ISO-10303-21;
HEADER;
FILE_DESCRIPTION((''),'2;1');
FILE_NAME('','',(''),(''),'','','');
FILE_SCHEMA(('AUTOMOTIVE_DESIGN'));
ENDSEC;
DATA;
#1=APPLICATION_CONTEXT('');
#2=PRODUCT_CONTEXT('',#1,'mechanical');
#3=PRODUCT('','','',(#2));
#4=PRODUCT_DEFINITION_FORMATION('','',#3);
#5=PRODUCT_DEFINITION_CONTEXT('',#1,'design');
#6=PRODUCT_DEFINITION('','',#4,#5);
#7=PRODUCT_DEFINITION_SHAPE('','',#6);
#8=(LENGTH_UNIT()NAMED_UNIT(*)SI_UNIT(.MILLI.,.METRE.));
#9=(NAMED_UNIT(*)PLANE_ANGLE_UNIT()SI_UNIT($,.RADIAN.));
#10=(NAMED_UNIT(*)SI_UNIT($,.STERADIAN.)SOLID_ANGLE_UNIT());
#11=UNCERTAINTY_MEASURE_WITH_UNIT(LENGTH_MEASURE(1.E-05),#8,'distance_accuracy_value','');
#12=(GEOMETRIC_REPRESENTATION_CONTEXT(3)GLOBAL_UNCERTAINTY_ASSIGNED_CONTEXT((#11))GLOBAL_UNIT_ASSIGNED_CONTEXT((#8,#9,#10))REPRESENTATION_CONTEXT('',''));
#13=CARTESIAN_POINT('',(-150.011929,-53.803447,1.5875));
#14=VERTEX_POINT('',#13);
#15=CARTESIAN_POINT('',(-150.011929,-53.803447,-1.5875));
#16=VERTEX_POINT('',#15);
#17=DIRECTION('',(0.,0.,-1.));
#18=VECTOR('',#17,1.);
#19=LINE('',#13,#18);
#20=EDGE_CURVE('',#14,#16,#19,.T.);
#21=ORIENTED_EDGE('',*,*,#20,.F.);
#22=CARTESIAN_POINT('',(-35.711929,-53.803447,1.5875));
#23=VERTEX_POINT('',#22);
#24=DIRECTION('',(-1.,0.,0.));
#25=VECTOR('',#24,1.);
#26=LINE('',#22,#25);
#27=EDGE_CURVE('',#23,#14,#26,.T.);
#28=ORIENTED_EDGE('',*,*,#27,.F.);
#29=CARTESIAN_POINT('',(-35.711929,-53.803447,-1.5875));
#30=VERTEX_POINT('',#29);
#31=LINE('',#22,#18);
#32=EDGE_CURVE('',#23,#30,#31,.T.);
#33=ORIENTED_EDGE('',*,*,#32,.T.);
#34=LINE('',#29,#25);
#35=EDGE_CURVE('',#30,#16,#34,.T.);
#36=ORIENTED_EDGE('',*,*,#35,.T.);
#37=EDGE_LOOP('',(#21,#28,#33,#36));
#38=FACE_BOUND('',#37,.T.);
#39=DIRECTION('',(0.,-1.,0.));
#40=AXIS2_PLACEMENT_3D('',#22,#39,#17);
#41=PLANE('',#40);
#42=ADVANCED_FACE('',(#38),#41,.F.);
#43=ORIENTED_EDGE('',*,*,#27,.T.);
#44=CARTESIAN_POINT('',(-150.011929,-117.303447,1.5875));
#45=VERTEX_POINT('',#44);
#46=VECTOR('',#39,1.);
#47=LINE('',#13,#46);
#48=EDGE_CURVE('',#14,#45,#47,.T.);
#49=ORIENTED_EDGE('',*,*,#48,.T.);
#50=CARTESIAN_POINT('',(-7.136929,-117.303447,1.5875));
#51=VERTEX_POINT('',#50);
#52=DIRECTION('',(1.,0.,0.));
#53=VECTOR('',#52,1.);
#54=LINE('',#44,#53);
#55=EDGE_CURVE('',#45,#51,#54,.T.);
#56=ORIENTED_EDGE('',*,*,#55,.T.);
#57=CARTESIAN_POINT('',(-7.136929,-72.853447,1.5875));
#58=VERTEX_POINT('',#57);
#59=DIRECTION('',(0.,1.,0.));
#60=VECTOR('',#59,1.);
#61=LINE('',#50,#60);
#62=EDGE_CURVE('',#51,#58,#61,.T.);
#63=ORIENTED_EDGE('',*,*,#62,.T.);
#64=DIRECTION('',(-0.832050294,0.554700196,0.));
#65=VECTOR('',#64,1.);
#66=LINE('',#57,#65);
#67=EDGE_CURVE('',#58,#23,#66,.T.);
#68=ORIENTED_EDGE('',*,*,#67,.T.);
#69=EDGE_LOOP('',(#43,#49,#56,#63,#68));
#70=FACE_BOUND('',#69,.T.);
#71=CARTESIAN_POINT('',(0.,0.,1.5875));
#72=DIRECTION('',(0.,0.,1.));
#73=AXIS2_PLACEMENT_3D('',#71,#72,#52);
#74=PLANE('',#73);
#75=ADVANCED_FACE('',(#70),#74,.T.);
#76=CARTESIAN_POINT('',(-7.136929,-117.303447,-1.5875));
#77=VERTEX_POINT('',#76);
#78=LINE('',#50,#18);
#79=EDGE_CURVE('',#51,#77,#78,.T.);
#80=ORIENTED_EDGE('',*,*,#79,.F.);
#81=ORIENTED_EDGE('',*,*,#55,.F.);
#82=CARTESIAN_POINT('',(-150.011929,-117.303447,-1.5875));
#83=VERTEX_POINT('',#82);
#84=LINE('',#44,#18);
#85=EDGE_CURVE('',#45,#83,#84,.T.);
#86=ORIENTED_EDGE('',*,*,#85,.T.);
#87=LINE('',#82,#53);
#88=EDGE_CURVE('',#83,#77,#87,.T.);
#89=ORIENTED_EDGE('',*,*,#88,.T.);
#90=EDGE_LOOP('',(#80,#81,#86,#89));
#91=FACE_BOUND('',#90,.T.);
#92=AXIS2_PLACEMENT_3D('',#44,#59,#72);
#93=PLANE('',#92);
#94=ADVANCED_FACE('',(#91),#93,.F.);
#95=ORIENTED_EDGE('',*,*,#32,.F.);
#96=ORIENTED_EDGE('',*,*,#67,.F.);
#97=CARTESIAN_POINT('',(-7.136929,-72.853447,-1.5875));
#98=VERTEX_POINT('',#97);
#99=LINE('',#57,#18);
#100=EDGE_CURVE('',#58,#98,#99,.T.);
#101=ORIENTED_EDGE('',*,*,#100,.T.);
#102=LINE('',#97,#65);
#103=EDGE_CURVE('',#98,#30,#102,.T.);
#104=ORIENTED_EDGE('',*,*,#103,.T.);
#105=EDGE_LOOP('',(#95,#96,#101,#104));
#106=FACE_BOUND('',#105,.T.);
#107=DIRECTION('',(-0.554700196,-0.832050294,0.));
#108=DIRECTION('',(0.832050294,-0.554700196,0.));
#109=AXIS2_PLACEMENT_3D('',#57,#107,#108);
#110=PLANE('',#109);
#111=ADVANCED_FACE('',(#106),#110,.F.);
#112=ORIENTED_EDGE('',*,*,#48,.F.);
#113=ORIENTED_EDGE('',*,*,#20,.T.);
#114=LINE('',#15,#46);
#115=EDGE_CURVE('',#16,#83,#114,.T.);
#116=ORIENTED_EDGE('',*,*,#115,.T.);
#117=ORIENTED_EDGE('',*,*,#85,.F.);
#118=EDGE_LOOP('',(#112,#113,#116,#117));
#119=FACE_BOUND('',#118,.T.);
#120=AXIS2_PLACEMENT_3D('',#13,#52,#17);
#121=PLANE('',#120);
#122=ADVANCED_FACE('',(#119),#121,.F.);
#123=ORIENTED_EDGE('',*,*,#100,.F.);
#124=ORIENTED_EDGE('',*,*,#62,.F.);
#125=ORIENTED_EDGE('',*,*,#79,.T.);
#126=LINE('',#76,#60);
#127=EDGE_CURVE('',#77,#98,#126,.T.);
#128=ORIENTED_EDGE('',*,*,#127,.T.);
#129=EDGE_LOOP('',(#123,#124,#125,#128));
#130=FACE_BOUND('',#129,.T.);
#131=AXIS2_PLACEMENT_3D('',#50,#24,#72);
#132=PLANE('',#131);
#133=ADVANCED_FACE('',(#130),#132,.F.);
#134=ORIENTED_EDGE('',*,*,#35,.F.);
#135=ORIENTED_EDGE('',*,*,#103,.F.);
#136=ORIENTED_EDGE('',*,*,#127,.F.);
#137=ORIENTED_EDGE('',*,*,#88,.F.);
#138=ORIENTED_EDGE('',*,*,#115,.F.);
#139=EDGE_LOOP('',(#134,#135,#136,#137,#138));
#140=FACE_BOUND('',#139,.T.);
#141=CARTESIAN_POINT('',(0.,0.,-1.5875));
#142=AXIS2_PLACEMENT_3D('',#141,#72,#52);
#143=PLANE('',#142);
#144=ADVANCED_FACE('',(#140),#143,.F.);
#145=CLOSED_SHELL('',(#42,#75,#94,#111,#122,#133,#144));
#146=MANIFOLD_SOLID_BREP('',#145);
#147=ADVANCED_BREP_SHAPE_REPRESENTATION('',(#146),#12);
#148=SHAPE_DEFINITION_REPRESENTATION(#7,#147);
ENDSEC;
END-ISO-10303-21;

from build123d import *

# Parameters (mm, degrees)
BOSS_EXTRUDE1_DEPTH = 1.5875


with BuildPart() as part:
    # Sketch1 → Boss-Extrude1 (new body, symmetric)
    with BuildSketch(Plane.XY):
        Polygon((-150.011928505, -117.303446964), (-7.136928505, -117.303446964), (-7.136928505, -72.853446964), (-35.711928505, -53.803446964), (-150.011928505, -53.803446964), align=None)
    extrude(amount=BOSS_EXTRUDE1_DEPTH, both=True)


solid = part.part
